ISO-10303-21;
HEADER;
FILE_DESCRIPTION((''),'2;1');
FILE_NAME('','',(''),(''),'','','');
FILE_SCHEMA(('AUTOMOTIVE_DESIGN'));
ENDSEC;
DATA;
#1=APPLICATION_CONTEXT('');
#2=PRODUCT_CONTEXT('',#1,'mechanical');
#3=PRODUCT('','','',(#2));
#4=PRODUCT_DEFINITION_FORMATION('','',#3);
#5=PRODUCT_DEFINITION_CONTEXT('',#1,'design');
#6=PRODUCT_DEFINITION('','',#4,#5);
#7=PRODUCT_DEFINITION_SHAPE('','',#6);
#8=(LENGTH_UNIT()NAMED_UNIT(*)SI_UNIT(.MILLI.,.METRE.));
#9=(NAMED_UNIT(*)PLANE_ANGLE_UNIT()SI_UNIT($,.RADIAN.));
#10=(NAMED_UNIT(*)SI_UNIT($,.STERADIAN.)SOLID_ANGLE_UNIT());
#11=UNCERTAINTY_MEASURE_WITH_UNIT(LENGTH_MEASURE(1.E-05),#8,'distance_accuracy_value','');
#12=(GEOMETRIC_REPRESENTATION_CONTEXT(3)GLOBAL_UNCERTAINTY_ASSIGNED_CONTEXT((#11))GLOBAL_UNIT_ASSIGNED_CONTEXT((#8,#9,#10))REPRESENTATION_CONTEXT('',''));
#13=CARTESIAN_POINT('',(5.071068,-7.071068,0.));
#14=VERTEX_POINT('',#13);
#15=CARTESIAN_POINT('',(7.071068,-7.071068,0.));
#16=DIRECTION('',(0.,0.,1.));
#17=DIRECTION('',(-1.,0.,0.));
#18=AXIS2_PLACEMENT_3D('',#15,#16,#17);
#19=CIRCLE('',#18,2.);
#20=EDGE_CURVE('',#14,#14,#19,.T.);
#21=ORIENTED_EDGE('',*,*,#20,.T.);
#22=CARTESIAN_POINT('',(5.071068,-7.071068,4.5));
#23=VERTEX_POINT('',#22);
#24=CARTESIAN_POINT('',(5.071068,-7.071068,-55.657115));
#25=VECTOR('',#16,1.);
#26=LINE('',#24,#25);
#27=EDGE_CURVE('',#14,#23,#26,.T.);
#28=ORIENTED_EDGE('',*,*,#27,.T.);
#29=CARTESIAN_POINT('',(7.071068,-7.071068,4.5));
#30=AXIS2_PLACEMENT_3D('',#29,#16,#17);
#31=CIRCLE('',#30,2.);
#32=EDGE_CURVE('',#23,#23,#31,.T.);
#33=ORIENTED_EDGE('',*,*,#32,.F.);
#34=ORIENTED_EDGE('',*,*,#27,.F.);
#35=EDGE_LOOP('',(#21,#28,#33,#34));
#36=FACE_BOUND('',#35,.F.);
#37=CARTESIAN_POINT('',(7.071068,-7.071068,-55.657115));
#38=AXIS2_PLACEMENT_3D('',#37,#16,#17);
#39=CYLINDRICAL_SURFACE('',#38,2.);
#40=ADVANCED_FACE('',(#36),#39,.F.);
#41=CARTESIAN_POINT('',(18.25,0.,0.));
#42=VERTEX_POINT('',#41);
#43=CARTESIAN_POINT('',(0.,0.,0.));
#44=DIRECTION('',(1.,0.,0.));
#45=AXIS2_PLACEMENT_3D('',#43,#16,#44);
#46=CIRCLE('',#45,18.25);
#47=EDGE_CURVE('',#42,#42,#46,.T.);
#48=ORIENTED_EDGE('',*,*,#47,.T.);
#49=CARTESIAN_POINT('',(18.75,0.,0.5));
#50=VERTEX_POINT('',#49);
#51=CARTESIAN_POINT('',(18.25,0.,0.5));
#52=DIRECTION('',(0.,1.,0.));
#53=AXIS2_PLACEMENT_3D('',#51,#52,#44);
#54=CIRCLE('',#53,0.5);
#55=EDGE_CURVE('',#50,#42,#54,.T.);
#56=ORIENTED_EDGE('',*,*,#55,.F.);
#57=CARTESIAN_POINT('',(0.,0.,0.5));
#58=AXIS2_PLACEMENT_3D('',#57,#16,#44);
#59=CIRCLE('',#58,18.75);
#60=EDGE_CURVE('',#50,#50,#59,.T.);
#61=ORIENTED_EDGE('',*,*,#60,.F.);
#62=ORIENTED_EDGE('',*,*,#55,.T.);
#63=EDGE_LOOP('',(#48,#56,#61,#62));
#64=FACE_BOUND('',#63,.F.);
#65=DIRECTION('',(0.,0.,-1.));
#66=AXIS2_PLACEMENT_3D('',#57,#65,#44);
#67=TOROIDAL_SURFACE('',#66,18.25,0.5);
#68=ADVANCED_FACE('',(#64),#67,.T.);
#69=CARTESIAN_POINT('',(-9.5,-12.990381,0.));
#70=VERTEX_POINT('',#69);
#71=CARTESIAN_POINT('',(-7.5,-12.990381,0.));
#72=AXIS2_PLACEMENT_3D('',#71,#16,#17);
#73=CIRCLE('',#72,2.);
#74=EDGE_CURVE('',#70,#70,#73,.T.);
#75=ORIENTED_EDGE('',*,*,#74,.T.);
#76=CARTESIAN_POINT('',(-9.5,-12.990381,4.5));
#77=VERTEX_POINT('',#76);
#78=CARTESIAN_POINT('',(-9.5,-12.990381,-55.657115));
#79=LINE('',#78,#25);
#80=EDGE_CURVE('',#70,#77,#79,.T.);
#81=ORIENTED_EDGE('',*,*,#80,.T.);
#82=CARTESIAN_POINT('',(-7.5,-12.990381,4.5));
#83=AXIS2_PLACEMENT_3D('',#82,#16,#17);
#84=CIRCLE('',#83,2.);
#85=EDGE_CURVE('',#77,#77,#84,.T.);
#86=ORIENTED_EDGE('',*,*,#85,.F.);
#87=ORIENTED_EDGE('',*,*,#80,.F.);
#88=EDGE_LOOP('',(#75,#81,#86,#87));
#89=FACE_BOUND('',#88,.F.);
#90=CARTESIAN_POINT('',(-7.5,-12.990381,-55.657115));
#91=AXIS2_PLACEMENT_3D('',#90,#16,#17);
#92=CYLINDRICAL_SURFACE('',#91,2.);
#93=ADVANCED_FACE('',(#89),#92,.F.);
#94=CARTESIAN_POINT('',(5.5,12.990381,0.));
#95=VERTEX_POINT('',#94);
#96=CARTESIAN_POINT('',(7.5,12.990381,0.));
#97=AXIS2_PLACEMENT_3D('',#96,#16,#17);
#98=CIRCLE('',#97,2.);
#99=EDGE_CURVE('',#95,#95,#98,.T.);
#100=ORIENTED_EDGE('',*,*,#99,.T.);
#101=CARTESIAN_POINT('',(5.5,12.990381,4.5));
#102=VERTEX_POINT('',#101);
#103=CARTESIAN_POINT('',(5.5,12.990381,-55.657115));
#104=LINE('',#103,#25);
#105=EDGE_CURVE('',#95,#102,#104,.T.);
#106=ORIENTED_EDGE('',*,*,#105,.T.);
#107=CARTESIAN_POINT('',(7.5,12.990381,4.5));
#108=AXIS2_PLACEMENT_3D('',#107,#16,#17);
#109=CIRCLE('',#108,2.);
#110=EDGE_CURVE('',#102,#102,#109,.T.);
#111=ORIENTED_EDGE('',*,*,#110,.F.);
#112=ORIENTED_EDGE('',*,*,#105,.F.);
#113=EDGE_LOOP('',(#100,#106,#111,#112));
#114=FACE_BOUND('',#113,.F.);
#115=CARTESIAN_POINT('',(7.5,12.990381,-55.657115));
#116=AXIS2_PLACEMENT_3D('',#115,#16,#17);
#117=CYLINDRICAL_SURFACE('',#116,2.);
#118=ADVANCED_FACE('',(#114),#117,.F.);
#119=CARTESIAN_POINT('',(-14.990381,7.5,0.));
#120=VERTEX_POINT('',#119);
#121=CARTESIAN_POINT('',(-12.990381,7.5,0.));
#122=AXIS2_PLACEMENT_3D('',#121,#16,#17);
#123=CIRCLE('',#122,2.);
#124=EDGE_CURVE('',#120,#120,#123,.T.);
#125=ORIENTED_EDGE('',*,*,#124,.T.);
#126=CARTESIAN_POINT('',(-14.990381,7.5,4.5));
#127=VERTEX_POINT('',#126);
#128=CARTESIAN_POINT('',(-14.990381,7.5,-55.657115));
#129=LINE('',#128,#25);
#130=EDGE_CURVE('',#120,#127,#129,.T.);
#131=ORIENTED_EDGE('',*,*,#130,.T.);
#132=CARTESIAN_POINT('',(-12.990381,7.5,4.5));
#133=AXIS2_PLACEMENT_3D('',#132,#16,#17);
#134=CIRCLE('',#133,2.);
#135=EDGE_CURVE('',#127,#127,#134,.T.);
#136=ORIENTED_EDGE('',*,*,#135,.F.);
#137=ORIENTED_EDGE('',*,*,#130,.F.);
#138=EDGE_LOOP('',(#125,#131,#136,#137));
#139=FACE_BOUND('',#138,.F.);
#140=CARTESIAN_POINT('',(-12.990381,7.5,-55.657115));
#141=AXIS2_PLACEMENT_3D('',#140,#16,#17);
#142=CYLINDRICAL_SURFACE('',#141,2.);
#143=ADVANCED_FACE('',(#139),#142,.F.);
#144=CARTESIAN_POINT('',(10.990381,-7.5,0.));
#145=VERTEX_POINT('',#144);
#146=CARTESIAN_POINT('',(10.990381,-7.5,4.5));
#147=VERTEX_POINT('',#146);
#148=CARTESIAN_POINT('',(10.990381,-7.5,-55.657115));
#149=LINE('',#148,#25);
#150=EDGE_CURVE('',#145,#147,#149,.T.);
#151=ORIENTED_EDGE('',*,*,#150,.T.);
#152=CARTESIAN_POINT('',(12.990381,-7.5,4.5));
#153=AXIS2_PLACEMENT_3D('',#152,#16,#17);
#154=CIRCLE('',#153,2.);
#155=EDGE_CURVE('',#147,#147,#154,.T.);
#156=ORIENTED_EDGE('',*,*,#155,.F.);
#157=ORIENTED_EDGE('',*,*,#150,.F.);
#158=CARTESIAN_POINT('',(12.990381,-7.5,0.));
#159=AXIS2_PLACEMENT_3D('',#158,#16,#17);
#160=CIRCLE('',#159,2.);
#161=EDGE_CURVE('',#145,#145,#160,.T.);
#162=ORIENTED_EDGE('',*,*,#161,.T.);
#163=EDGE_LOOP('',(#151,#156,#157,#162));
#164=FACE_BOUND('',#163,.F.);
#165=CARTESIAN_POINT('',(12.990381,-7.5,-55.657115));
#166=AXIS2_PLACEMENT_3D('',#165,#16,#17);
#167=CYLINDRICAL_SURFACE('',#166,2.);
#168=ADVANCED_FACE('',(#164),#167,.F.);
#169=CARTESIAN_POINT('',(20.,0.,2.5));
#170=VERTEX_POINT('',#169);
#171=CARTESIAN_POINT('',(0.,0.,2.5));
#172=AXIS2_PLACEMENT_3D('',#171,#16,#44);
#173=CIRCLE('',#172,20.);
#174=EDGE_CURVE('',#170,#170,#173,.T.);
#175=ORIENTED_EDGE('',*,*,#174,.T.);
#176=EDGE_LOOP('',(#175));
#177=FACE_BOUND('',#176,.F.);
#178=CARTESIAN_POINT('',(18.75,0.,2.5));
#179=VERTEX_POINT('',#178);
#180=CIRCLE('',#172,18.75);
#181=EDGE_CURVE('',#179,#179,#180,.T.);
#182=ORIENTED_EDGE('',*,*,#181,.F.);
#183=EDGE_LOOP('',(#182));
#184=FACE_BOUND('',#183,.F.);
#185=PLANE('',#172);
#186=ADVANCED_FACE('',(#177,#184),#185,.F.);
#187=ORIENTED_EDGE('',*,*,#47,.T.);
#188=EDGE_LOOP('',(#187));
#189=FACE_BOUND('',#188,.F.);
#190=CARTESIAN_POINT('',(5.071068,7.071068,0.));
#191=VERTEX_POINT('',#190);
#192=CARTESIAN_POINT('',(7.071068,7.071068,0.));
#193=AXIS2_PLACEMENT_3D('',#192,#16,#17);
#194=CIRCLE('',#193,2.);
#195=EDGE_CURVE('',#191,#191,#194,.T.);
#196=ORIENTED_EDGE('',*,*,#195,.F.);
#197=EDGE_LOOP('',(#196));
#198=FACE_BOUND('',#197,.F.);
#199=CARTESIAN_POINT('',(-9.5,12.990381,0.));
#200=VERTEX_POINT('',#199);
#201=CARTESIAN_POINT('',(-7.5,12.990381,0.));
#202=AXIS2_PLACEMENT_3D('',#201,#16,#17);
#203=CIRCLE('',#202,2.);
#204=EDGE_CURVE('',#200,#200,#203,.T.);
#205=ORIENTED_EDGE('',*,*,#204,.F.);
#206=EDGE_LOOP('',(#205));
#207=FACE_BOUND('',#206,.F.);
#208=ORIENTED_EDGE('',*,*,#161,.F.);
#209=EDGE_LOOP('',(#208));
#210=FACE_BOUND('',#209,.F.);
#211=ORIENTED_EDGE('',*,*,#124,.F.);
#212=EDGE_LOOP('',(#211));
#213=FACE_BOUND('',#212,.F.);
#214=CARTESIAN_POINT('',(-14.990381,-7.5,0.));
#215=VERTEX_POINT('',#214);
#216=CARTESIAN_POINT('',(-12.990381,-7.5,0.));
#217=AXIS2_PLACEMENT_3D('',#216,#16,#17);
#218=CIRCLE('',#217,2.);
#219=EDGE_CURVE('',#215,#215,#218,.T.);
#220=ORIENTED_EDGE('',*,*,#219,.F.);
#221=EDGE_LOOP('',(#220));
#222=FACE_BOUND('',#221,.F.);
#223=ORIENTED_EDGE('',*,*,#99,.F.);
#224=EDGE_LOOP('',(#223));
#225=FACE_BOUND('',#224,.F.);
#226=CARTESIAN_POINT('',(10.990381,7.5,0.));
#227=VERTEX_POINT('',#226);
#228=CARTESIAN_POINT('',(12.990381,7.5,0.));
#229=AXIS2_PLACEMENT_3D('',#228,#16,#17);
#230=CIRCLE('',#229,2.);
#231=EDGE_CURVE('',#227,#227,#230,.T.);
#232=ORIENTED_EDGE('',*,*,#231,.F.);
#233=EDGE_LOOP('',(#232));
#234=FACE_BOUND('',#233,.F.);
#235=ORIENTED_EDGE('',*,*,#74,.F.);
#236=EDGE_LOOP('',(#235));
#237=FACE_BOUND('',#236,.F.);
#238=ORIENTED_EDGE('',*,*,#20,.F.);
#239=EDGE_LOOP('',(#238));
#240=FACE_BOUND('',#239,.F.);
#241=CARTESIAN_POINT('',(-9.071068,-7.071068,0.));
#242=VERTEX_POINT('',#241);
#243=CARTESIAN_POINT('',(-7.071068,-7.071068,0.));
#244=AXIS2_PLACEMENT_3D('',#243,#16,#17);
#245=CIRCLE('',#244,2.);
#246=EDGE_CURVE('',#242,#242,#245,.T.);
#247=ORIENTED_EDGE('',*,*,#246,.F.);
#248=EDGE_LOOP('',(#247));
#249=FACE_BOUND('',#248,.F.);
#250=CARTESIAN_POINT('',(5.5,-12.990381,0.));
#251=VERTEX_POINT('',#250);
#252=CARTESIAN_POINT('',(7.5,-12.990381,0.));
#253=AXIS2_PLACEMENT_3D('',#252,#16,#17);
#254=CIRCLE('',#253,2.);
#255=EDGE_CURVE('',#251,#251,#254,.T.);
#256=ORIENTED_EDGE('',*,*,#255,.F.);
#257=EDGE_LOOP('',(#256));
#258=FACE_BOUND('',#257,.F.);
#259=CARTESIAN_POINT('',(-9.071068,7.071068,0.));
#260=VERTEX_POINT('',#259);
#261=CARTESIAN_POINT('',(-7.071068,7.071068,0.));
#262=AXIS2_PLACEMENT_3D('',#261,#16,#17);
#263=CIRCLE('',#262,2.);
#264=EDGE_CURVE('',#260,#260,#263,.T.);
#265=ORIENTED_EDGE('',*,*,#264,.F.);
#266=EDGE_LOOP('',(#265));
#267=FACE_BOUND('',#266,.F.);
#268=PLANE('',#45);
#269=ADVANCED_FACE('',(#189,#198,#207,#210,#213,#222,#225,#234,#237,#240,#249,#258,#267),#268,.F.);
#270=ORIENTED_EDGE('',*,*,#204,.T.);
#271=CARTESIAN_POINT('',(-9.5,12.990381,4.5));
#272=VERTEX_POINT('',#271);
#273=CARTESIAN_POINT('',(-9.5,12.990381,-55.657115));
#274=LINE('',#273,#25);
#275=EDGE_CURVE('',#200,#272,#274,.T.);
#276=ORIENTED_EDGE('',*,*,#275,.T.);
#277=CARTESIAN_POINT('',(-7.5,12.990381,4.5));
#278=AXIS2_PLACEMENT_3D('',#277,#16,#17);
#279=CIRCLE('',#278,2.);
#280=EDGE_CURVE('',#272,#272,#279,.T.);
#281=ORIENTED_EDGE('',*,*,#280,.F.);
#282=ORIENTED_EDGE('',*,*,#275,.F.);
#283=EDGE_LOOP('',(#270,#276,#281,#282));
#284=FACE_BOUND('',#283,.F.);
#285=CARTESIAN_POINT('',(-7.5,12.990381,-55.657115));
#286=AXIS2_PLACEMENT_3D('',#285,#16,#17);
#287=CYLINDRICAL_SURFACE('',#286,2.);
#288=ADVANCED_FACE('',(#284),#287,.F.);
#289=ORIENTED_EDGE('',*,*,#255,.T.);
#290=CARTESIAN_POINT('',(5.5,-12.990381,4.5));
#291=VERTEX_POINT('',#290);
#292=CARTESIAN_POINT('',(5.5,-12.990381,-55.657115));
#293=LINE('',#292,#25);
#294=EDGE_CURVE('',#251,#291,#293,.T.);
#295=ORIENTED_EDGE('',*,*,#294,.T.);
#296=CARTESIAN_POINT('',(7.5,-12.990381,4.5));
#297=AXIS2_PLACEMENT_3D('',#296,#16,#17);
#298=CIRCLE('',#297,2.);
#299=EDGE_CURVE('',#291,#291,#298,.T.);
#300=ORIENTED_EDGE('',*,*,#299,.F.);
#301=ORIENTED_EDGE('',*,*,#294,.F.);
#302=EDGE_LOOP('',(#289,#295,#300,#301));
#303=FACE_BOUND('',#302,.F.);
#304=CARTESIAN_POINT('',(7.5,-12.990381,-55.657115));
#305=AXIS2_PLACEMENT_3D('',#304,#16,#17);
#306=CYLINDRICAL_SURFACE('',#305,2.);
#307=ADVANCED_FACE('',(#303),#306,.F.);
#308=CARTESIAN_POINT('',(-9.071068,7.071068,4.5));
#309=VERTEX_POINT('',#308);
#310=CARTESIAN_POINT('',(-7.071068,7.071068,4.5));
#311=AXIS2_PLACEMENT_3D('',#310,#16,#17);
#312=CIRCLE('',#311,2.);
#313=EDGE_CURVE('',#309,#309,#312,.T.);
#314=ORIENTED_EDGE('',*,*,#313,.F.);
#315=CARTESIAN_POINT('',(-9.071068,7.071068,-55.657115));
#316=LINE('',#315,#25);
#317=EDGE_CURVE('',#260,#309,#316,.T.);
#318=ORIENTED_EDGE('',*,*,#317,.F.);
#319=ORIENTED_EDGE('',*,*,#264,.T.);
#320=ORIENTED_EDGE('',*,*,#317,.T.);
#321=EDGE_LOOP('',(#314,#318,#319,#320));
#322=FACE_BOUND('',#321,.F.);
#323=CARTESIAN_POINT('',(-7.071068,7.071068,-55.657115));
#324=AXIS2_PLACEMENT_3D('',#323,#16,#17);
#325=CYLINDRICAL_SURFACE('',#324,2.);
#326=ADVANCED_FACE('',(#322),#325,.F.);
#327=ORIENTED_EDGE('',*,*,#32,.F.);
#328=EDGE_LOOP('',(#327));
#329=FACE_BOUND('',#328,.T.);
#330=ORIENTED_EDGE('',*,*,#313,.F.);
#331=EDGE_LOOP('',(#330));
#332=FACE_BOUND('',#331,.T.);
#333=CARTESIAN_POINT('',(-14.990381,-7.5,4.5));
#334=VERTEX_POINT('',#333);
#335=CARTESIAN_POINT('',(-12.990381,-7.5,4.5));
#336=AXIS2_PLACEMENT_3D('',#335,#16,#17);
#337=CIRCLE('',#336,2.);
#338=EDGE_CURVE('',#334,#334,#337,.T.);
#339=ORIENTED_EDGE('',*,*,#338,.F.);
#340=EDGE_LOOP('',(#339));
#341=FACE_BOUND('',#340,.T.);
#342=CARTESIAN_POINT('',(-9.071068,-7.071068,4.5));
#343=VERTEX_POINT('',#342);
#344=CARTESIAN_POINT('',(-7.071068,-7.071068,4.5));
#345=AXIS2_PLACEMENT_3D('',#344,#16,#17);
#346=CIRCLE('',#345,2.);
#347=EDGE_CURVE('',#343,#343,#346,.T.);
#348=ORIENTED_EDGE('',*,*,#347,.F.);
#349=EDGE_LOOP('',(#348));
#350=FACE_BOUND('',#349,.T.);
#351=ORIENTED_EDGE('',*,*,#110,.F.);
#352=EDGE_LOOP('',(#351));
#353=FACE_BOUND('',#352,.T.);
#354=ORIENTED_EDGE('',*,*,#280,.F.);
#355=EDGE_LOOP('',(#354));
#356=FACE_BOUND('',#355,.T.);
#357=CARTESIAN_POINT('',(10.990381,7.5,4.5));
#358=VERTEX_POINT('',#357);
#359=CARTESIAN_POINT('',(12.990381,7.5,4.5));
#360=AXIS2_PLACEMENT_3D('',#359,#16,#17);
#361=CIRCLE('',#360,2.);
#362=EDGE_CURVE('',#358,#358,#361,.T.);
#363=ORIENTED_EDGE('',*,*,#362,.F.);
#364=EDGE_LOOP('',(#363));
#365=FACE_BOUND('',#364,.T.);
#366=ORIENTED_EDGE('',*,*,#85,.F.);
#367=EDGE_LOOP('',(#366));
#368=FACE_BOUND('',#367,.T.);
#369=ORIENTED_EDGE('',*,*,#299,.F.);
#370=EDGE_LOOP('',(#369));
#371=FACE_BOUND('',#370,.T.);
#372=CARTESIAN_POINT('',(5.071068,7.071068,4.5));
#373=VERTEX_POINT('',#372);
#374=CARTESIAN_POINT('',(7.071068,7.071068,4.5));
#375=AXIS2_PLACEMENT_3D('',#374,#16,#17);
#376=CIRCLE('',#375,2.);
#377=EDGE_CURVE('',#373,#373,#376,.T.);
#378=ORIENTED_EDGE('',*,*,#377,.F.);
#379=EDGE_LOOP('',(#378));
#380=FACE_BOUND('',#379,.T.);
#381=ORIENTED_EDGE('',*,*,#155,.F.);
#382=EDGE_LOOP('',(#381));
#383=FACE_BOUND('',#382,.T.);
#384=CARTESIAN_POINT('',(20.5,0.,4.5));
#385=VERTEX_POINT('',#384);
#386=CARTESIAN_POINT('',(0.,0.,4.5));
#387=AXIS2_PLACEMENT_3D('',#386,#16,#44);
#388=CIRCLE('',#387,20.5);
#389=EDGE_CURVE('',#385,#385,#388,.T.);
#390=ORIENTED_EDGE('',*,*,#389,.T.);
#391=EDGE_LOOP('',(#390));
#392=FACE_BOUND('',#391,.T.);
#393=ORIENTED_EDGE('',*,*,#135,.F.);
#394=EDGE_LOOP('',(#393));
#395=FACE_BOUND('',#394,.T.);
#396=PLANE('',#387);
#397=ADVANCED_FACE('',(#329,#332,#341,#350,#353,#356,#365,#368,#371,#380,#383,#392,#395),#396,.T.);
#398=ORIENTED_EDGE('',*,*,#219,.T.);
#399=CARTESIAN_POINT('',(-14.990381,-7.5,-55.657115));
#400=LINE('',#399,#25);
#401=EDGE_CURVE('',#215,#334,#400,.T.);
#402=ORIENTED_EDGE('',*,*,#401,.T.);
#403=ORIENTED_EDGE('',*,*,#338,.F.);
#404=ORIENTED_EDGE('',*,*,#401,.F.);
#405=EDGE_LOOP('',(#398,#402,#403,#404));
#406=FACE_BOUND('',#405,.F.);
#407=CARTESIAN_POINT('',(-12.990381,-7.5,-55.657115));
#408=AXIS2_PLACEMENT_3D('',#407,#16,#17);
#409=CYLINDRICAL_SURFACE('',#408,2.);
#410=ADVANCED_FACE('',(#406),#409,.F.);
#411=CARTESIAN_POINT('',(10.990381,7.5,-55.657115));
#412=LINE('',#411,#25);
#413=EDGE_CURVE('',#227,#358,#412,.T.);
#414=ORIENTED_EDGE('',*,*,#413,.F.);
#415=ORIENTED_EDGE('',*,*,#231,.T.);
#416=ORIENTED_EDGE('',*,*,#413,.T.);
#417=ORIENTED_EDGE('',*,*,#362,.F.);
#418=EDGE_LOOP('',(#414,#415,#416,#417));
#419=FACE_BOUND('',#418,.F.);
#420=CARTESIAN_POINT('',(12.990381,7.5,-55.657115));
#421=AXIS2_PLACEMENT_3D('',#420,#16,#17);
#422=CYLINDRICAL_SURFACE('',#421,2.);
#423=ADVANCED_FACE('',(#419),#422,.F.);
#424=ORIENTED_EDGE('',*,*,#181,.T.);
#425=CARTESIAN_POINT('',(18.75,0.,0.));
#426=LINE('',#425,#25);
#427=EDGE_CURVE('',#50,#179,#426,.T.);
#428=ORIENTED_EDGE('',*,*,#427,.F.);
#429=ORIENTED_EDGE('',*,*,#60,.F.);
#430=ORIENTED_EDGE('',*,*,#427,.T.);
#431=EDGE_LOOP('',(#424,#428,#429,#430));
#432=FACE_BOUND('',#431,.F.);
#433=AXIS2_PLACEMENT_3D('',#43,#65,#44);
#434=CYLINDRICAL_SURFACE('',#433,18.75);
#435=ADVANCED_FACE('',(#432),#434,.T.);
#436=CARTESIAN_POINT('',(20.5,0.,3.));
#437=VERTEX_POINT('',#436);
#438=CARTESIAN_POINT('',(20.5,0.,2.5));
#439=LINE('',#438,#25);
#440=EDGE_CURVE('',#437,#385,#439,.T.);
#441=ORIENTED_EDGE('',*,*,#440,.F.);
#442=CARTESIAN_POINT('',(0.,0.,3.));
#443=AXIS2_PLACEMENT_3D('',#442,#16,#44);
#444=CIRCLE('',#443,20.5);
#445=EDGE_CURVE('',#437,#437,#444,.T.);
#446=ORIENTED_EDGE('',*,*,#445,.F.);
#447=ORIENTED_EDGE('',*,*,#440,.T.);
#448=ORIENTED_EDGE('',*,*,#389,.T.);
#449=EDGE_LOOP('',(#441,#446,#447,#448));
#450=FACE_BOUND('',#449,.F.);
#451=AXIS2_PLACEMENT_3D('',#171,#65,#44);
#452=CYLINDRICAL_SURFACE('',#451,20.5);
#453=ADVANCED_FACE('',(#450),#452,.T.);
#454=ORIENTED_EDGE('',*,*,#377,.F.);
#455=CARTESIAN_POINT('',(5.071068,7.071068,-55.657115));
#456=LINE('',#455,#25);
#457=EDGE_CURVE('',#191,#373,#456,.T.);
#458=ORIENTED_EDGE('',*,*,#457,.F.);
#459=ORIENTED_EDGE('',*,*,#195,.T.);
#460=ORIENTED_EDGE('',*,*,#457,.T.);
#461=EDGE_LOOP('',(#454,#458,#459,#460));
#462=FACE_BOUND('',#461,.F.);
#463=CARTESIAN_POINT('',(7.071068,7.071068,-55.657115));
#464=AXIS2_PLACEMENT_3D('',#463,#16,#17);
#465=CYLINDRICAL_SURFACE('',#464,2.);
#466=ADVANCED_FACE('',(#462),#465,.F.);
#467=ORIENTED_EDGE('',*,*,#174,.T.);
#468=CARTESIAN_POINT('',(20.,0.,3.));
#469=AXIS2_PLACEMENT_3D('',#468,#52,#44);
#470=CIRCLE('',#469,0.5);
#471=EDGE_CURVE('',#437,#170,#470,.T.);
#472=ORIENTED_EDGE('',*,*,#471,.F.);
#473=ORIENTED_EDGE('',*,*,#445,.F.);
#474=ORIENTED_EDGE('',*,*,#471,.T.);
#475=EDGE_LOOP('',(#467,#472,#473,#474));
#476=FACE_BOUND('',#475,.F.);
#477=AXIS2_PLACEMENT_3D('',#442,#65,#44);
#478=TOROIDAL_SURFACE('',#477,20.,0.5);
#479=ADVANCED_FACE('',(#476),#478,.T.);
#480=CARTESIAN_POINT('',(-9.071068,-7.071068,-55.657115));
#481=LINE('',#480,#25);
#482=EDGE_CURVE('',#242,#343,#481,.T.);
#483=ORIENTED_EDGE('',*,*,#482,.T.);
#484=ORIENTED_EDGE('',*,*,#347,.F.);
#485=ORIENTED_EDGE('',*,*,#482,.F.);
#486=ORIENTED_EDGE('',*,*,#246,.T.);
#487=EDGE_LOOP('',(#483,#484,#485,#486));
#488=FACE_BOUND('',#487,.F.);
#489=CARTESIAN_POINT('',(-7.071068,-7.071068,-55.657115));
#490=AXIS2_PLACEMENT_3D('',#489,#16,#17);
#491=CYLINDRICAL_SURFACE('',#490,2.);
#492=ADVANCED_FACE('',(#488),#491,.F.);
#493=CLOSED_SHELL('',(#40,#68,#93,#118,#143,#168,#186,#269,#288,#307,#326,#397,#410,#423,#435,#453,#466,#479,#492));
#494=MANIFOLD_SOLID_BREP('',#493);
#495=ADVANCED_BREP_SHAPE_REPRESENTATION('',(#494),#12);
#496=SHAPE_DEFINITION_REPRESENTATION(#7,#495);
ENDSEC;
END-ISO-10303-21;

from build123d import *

# Parameters (mm, degrees)
F0_R     = 18.75
F1_DEPTH = 2.5
F3_R     = 0.5
F4_R     = 20.5
F5_DEPTH = 2
F6_D     = 4
F7_D     = 4
F8_R     = 0.5


with BuildPart() as f1:
    # F0 (on Top) → F1 (new body)
    with BuildSketch(Plane.XY):
        Circle(F0_R)
    extrude(amount=F1_DEPTH)

    # F3
    f3_edges = [f1.edges().sort_by_distance(p)[0] for p in [
        (-18.75, 0, 0),
    ]]
    fillet(f3_edges, radius=F3_R)

    # F4 (on face) → F5 (join)
    with BuildSketch(Plane.XY.offset(2.5)):
        Circle(F4_R)
    extrude(amount=F5_DEPTH)

    # F6 (through all)
    with Locations(Plane(origin=(0, 0, 2.5), x_dir=(1, 0, 0), z_dir=(0, 0, -1))):
        with Locations((-7.5, -12.990381), (-12.990381, -7.5), (-7.071068, -7.071068), (-12.990381, 7.5), (-7.071068, 7.071068), (-7.5, 12.990381), (7.5, 12.990381), (7.071068, 7.071068), (12.990381, 7.5), (7.071068, -7.071068), (7.5, -12.990381), (12.990381, -7.5)):
            Hole(F6_D / 2)

    # F7 (through all)
    with Locations(Plane.XY.offset(2.5)):
        with Locations((-12.990381, 7.5), (-7.5, 12.990381), (-7.071068, 7.071068), (-12.990381, -7.5), (-7.071068, -7.071068), (-7.5, -12.990381), (7.5, -12.990381), (7.071068, -7.071068), (12.990381, -7.5), (7.071068, 7.071068), (12.990381, 7.5), (7.5, 12.990381)):
            Hole(F7_D / 2)

    # F8
    f8_edges = [f1.edges().sort_by_distance(p)[0] for p in [
        (-20.5, 0, 2.5),
    ]]
    fillet(f8_edges, radius=F8_R)


solid = f1.part
